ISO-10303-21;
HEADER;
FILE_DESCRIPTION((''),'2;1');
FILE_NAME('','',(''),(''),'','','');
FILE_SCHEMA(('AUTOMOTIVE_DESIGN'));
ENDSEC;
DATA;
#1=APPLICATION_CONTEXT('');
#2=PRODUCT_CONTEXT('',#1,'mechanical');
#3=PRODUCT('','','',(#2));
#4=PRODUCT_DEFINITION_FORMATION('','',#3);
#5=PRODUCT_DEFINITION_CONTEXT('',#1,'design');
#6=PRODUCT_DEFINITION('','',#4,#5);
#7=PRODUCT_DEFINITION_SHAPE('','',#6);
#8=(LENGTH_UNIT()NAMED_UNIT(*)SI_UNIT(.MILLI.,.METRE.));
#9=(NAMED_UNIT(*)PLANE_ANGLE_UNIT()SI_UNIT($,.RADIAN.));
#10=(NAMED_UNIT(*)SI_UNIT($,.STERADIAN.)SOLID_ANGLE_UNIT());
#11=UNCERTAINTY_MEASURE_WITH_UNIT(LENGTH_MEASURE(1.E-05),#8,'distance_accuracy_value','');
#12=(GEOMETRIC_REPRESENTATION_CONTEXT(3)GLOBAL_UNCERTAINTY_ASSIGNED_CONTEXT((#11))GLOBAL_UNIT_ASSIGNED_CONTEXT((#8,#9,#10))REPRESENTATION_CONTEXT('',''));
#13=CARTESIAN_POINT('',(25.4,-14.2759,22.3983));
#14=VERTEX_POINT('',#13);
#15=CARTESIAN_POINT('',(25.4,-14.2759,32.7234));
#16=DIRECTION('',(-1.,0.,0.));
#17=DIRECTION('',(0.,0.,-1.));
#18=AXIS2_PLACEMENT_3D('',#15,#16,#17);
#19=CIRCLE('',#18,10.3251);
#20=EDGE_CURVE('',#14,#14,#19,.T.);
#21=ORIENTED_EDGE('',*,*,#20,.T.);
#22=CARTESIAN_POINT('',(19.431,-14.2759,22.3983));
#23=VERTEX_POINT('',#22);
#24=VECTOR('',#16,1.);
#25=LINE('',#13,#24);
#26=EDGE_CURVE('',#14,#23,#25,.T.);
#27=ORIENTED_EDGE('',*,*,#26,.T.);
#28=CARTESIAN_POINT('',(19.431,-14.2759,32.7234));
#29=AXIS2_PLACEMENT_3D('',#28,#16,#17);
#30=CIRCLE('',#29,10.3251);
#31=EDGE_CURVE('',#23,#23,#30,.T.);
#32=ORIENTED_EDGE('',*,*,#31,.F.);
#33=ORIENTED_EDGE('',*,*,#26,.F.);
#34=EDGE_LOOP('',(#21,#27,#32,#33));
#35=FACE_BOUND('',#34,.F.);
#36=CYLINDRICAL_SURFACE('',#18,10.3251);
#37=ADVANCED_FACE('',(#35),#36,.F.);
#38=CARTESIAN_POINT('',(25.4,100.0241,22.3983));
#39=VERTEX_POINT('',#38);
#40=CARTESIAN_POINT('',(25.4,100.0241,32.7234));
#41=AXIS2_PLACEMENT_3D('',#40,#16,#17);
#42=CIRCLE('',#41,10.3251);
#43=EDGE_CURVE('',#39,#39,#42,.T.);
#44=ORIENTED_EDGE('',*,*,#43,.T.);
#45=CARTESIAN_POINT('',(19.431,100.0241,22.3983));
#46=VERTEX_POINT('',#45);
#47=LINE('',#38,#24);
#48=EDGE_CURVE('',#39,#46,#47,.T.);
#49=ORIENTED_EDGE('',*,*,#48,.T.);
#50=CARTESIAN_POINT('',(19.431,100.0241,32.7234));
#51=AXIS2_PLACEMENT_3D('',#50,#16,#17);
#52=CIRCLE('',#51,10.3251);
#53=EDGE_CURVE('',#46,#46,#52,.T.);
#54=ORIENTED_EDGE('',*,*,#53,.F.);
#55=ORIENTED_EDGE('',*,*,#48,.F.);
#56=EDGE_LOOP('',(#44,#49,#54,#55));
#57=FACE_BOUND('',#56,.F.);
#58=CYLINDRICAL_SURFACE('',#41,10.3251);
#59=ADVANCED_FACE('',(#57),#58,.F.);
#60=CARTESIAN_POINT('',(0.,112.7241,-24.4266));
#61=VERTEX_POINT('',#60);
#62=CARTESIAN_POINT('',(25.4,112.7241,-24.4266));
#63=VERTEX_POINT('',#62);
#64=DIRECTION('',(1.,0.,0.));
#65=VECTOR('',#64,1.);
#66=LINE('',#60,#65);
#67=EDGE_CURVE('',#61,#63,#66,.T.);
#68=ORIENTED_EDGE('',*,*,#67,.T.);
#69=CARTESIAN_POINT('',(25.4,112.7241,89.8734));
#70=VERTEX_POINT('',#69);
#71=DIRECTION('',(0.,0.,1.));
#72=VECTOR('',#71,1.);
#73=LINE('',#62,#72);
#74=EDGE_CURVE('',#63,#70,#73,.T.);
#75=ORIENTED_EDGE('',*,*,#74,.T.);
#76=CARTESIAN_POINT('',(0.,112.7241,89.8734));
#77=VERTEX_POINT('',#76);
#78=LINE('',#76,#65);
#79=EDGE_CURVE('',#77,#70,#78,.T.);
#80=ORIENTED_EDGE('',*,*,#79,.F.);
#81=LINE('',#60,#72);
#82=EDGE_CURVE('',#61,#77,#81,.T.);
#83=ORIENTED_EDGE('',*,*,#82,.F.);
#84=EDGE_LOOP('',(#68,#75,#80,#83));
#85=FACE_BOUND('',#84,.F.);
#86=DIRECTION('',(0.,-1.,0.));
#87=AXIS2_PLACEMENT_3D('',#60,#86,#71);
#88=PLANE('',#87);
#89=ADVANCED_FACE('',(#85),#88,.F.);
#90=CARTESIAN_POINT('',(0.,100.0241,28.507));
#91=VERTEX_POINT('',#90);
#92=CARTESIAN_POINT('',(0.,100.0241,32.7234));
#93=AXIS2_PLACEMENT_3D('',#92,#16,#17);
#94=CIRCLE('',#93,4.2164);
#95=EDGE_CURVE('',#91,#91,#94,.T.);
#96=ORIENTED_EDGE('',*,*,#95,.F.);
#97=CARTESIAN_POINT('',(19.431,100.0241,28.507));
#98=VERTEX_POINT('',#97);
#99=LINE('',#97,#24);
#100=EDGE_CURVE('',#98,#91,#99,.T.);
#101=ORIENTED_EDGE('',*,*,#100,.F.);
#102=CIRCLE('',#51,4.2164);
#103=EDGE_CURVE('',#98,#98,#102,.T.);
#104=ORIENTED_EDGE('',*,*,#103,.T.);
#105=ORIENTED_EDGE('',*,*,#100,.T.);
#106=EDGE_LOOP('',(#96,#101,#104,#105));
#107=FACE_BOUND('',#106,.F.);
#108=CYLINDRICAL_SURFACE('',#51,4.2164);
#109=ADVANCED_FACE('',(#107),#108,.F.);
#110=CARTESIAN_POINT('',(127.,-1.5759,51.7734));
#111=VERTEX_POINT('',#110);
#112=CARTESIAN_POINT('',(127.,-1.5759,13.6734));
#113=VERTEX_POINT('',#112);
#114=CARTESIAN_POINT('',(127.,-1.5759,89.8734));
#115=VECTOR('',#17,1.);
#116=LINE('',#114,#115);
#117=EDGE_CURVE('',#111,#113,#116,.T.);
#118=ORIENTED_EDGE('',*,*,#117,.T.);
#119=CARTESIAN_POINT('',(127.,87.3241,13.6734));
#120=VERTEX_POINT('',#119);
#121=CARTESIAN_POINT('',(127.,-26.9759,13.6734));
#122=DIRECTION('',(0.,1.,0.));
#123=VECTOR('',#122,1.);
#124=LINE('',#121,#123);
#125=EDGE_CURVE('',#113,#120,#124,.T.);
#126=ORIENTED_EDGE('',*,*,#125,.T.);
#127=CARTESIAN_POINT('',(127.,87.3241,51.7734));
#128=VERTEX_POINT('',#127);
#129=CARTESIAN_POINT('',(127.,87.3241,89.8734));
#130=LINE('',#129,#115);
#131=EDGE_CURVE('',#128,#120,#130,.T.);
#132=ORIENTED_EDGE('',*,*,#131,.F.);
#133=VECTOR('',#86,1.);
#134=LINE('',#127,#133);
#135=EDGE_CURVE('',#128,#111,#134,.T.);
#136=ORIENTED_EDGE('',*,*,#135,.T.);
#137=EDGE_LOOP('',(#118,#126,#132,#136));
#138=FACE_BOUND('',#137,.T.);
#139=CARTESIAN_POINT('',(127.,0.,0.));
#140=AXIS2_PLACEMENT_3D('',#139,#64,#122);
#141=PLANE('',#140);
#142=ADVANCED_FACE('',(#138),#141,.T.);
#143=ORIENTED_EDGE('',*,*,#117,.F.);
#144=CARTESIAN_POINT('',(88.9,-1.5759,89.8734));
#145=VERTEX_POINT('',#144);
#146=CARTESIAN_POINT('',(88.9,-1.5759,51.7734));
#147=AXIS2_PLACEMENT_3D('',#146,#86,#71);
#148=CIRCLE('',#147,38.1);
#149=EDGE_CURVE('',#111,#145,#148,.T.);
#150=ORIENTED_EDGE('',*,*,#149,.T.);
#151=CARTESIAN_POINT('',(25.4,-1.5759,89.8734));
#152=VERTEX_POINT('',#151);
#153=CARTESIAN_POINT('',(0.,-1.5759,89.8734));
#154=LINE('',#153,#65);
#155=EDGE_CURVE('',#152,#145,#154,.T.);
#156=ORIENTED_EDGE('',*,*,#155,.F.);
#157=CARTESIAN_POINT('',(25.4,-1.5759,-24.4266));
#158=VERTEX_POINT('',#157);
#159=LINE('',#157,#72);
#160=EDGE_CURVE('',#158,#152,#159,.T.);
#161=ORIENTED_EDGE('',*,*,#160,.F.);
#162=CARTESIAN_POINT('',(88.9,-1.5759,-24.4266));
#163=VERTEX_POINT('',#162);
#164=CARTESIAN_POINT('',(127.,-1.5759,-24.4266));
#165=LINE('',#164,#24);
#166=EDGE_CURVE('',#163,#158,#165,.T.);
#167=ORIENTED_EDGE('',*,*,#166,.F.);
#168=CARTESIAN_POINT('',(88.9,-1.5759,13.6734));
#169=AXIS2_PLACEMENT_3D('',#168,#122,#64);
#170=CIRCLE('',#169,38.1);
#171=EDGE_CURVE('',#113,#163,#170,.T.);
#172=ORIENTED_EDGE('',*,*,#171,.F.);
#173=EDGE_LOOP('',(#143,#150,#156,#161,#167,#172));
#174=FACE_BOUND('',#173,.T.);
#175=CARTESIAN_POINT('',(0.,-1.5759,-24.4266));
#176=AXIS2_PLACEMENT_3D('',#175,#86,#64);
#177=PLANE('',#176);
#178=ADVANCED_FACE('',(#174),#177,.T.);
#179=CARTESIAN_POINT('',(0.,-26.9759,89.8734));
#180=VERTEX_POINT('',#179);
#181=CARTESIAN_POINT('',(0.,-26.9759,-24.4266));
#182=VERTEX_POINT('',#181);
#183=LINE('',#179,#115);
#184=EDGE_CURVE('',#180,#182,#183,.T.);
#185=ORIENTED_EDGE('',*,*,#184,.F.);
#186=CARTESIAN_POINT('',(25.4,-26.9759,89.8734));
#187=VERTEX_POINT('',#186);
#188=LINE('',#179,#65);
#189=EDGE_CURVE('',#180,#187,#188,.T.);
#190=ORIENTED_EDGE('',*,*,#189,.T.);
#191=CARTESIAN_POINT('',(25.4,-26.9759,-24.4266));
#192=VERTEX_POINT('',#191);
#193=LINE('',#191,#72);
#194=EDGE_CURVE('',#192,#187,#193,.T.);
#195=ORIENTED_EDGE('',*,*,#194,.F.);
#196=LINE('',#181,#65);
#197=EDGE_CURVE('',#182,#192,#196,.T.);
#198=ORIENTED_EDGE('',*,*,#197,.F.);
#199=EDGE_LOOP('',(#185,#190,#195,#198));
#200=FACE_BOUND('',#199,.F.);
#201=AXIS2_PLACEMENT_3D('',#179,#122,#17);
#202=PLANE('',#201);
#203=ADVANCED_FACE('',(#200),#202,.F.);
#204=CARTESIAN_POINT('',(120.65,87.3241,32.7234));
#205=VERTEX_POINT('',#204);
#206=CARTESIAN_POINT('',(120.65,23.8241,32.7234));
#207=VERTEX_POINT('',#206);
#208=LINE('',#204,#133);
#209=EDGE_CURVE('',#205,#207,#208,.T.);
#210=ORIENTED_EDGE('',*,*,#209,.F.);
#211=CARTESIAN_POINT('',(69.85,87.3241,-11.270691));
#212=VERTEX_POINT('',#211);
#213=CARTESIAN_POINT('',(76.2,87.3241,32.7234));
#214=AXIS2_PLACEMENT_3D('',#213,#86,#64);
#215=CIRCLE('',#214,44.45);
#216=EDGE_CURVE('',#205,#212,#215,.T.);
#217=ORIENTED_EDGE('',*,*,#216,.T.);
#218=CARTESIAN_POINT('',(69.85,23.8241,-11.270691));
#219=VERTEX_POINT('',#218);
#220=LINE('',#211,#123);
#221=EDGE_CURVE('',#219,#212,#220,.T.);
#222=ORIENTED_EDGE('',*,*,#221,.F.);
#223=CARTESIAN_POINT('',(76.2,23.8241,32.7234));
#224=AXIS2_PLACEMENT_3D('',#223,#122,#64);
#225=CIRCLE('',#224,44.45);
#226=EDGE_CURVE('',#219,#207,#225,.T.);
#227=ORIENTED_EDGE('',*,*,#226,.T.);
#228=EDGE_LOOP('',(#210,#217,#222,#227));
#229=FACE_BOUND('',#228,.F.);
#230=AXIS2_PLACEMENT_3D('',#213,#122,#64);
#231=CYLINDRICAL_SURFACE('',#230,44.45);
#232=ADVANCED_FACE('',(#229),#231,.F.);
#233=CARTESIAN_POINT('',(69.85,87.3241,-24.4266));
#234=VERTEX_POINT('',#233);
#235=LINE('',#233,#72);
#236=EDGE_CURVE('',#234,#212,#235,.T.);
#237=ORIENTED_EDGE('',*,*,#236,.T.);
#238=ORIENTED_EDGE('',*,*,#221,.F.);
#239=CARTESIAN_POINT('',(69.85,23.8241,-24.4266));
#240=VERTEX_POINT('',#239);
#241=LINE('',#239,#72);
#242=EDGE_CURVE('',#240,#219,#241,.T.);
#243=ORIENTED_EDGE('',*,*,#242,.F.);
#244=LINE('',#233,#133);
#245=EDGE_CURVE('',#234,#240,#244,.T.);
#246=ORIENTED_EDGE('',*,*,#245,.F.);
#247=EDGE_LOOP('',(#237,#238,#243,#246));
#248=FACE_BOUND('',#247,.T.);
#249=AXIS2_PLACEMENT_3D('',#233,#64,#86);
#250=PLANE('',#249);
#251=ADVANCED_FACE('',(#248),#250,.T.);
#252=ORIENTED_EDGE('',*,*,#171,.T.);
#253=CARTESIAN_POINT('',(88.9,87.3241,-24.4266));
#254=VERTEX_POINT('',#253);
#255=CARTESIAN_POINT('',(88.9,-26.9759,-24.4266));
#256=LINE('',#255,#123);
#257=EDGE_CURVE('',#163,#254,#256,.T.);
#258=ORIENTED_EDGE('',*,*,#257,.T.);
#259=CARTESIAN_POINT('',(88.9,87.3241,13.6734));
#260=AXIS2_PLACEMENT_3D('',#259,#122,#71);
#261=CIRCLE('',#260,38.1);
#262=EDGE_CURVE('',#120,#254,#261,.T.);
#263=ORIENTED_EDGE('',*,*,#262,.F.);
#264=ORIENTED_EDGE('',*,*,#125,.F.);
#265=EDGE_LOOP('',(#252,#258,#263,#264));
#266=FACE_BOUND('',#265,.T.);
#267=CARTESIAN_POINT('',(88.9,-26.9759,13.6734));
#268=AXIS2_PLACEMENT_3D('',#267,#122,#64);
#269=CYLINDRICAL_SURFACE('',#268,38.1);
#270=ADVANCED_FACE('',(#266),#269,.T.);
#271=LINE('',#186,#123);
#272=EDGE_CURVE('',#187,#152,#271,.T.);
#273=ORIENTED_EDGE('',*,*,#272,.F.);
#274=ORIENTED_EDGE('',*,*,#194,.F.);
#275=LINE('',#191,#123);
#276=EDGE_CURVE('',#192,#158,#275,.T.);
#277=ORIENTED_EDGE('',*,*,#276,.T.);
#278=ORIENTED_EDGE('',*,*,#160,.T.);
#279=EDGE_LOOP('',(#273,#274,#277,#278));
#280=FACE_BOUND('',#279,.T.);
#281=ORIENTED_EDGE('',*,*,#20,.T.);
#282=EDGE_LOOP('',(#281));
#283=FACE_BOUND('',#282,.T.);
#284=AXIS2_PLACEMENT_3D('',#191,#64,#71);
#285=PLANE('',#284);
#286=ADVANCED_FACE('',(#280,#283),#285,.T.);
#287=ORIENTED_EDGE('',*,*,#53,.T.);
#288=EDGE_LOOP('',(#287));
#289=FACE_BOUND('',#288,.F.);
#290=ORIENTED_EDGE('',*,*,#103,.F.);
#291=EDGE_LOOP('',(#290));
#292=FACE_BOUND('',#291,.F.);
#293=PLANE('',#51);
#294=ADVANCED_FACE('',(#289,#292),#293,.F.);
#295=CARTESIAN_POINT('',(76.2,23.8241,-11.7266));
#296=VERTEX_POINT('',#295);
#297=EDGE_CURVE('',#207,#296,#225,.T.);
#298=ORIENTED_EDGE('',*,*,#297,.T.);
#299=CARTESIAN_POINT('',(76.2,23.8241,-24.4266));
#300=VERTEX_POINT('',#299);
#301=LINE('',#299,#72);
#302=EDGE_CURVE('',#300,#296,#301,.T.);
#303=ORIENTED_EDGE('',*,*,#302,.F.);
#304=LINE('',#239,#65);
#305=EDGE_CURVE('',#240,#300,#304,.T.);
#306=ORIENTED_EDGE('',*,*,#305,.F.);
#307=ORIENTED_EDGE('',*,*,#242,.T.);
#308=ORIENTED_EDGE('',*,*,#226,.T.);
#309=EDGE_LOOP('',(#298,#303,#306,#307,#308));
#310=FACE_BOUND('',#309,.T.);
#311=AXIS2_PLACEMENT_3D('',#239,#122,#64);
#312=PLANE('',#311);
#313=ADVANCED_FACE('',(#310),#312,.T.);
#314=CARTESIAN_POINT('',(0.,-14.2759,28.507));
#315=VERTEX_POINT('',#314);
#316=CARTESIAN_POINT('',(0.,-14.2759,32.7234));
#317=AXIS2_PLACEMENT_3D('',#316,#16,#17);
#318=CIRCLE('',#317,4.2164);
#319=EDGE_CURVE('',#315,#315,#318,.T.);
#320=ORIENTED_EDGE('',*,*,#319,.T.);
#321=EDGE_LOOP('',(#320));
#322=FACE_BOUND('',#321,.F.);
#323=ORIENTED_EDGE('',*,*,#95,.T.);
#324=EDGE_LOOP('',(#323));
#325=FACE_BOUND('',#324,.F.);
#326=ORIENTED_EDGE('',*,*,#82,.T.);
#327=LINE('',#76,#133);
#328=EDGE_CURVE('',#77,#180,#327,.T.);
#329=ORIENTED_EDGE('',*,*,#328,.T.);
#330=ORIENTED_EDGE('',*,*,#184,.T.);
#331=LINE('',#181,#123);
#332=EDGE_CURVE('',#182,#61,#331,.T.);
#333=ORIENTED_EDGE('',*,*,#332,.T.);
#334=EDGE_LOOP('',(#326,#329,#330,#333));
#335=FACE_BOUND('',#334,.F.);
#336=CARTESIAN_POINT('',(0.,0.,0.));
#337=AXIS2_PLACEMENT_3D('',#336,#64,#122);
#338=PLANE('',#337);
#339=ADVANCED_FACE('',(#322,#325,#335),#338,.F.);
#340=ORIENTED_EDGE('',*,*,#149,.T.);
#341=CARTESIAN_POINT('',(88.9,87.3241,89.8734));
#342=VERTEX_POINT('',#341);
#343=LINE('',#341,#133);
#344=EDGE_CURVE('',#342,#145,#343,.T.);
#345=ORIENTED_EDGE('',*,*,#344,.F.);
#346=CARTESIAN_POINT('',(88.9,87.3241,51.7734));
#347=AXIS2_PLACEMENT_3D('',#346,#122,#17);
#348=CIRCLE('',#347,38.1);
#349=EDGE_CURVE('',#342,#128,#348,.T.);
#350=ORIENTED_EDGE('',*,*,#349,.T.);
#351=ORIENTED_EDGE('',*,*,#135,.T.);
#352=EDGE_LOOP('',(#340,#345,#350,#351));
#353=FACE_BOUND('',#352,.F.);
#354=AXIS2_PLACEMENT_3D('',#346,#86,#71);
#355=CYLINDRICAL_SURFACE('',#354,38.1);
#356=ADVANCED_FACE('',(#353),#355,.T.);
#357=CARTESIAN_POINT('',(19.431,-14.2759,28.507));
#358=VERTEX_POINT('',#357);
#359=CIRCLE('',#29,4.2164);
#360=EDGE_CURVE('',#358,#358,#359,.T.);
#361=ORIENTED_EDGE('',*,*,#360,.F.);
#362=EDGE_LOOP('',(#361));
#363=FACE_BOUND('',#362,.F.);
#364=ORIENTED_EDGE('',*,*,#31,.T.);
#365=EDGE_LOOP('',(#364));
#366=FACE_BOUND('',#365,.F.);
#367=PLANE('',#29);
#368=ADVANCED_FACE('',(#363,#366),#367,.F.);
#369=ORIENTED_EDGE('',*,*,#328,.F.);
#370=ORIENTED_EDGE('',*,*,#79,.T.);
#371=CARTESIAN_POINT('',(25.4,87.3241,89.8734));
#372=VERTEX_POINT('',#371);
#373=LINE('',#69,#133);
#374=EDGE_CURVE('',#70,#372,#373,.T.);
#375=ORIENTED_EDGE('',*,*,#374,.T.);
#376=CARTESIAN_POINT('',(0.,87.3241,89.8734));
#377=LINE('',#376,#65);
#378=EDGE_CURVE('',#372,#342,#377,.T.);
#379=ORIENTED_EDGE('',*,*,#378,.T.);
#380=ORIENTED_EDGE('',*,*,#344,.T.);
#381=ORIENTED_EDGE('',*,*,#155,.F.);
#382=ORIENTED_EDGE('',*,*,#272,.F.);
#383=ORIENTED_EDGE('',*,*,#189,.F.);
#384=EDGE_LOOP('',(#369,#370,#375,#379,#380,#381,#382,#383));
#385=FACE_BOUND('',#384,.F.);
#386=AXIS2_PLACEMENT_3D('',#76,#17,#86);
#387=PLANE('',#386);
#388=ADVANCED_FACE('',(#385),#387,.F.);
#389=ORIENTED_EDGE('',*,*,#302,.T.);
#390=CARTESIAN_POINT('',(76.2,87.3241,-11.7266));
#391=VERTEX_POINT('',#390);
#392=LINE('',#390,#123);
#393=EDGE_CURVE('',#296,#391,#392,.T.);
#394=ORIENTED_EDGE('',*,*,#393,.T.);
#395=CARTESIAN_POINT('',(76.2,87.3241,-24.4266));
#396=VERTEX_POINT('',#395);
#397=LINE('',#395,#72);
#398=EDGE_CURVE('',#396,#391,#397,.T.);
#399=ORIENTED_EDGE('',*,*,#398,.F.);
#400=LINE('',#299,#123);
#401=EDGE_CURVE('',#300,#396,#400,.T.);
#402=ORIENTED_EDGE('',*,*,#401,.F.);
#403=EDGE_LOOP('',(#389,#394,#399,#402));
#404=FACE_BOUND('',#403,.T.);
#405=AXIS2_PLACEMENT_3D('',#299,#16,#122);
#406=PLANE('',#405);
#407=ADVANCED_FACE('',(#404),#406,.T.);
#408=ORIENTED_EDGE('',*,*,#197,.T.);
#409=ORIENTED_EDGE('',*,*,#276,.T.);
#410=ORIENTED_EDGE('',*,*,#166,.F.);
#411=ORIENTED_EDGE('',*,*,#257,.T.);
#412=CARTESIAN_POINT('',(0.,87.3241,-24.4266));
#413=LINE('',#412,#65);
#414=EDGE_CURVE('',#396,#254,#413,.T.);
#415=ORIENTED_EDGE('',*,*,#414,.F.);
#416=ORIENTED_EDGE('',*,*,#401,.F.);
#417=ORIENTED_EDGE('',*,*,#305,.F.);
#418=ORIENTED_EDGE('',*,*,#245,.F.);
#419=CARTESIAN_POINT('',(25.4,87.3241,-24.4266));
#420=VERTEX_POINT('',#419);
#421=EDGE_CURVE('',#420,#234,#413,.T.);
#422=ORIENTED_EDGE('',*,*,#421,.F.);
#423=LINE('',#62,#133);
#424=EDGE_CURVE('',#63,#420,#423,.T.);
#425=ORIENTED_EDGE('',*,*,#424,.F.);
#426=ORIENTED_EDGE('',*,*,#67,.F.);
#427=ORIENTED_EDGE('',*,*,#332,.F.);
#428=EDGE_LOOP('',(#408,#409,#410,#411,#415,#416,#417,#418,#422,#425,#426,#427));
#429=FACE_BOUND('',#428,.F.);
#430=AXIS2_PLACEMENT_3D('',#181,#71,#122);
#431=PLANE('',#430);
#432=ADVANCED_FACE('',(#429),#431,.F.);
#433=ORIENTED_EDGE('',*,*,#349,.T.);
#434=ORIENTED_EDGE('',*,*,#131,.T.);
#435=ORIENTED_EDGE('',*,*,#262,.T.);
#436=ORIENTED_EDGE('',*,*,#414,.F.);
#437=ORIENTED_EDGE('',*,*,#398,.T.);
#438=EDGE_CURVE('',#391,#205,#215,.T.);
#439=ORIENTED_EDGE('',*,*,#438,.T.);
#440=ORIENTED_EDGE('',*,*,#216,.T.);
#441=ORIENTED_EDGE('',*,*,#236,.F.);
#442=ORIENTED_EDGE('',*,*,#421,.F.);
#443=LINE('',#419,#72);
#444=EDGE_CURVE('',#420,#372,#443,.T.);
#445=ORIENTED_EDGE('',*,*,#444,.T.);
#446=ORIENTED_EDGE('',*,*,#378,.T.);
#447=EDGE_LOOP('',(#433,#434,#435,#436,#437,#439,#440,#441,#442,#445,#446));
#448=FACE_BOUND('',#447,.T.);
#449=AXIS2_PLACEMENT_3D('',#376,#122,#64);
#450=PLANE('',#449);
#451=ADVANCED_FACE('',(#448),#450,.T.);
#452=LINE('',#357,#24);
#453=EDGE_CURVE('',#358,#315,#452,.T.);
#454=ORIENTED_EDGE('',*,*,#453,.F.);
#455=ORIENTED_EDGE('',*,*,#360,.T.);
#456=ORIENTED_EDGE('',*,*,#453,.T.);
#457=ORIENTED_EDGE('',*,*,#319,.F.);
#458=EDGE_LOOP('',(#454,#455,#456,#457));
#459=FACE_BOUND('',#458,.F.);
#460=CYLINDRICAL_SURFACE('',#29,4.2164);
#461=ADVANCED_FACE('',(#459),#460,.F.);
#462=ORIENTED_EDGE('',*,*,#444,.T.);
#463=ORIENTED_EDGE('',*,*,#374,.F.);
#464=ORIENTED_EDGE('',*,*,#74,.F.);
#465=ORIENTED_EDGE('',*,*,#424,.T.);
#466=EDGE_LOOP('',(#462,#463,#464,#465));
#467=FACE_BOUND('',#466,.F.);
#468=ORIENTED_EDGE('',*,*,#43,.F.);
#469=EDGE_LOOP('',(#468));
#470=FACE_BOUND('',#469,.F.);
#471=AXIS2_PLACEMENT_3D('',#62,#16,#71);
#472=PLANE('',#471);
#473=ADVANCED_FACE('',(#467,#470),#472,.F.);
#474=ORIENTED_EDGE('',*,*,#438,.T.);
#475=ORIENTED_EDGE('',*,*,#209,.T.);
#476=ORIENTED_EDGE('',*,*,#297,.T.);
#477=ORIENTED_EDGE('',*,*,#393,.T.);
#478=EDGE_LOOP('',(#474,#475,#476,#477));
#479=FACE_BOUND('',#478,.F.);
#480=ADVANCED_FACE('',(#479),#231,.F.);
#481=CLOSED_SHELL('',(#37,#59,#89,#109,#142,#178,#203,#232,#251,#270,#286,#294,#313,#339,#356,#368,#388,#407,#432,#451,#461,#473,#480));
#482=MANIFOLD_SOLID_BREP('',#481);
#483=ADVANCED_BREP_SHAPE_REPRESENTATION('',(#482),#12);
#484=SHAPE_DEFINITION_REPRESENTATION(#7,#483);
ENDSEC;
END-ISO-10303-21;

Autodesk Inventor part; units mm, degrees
ref_plane "YZ Plane" through (0, 0, 0) normal (1, 0, 0) x (0, 1, 0)
ref_plane "XZ Plane" through (0, 0, 0) normal (0, 1, 0) x (-1, 0, 0)
ref_plane "XY Plane" through (0, 0, 0) normal (0, 0, 1) x (1, 0, 0)
sketch "Sketch1" plane through (0, 0, 0) normal (1, 0, 0) x (0, 1, 0)
  line L0 (112.7241, 89.8734) -> (-26.9759, 89.8734)
  line L1 (-26.9759, 89.8734) -> (-26.9759, -24.4266)
  line L2 (-26.9759, -24.4266) -> (112.7241, -24.4266)
  line L3 (112.7241, -24.4266) -> (112.7241, 89.8734)
  point P0 (0, 0)
  dimension "d0" = 114.3
  dimension "d1" = 139.7
extrude "Extrusion1" add sketch "Sketch1" along normal blind 127
sketch "Sketch2" plane through (0, 112.7241, 89.8734) normal (0, 1, 0) x (1, 0, 0)
  line L0 (0, 0) -> (127, 0) projected
  line L1 (0, 114.3) -> (127, 114.3) projected
  line L2 (25.4, 0) -> (127, 0)
  line L3 (127, 0) -> (127, 114.3)
  line L4 (127, 114.3) -> (25.4, 114.3)
  line L5 (25.4, 114.3) -> (25.4, 0)
  line L6 (0, 114.3) -> (0, 0) projected
  point P0 (0, 89.8734)
  dimension "d4" = 25.4
extrude "Extrusion2" cut sketch "Sketch2" against normal blind 25.4 contours L5 L1 L3 L0
sketch "Sketch4" plane through (0, 87.3241, 89.8734) normal (0, 1, 0) x (1, 0, 0)
  line L0 (38.1, 127) -> (38.1, 0) projected
  circle A0 centre (76.2, 57.15) radius 44.45
  line L1 (127, 114.3) -> (127, 0) projected
  line L2 (127, 0) -> (25.4, 0) projected
  point P0 (0, 89.8734)
  dimension "d15" = 50.8
  dimension "d16" = 57.15
  dimension "d54" = 88.9
extrude "Extrusion4" cut sketch "Sketch4" against normal blind 63.5
fillet "Fillet3" radius 38.1 1 edges at (127, 30.1741, 89.8734)
fillet "Fillet4" radius 38.1 1 edges at (127, 30.1741, -24.4266)
sketch "Sketch9" plane through (25.4, 112.7241, 89.8734) normal (1, 0, 0) x (0, 0, -1)
  line L0 (0, 0) -> (114.3, 0) projected
  line L1 (0, -25.4) -> (0, 0) projected
  point P0 (89.8734, -112.7241)
  point P1 (57.15, -12.7)
  dimension "d30" = 12.7
  dimension "d31" = 57.15
hole "Hole1" at (25.4, 100.0241, 32.7234) direction (-1, 0, 0) diameter 8.4328 end through all counterbore diameter 20.6502 counterbore depth 5.969 clearance for "Hex Head Bolt" size "5/16" standard "Ansi Unified Screw Threads"
sketch "Sketch10" plane through (0, -26.9759, -24.4266) normal (0, -1, 0) x (1, 0, 0)
  line L0 (0, 114.3) -> (88.9, 114.3) projected
  line L1 (25.4, 114.3) -> (127, 114.3)
  line L2 (127, 114.3) -> (127, 0)
  line L3 (127, 0) -> (25.4, 0)
  line L4 (25.4, 0) -> (25.4, 114.3)
  line L5 (0, 114.3) -> (0, 0) projected
  point P0 (0, 24.4266)
  dimension "d39" = 25.4
  dimension "d42" = 114.3
  dimension "d60" = 101.6
extrude "Extrusion6" cut sketch "Sketch10" against normal blind 25.4
sketch "Sketch11" plane through (25.4, -26.9759, 89.8734) normal (1, 0, 0) x (0, 0, -1)
  line L0 (114.3, 0) -> (0, 0) projected
  line L1 (114.3, 25.4) -> (114.3, 0) projected
  point P0 (89.8734, 26.9759)
  point P1 (57.15, 12.7)
  dimension "d43" = 12.7
  dimension "d44" = 57.15
hole "Hole2" at (25.4, -14.2759, 32.7234) direction (-1, 0, 0) diameter 8.4328 end through all counterbore diameter 20.6502 counterbore depth 5.969 clearance for "Hex Head Bolt" size "5/16" standard "Ansi Unified Screw Threads"
sketch "Sketch15" plane through (0, -26.9759, -24.4266) normal (0, 0, -1) x (-1, 0, 0)
  line L0 (-25.4, 114.3) -> (-88.9, 114.3) projected
  line L1 (-76.2, 114.3) -> (-69.85, 114.3)
  line L2 (-69.85, 114.3) -> (-69.85, 50.8)
  line L3 (-69.85, 50.8) -> (-76.2, 50.8)
  line L4 (-76.2, 50.8) -> (-76.2, 114.3)
  line L5 (-127, 114.3) -> (-127, 0) projected
  point P0 (0, 26.9759)
  point P1 (-127, 25.4)
  dimension "d55" = 6.35
  dimension "d56" = 50.8
  dimension "d57" = 63.5
extrude "Extrusion8" cut sketch "Sketch15" against normal blind 25.4
properties part number "Cleaning Bottle Holder"
